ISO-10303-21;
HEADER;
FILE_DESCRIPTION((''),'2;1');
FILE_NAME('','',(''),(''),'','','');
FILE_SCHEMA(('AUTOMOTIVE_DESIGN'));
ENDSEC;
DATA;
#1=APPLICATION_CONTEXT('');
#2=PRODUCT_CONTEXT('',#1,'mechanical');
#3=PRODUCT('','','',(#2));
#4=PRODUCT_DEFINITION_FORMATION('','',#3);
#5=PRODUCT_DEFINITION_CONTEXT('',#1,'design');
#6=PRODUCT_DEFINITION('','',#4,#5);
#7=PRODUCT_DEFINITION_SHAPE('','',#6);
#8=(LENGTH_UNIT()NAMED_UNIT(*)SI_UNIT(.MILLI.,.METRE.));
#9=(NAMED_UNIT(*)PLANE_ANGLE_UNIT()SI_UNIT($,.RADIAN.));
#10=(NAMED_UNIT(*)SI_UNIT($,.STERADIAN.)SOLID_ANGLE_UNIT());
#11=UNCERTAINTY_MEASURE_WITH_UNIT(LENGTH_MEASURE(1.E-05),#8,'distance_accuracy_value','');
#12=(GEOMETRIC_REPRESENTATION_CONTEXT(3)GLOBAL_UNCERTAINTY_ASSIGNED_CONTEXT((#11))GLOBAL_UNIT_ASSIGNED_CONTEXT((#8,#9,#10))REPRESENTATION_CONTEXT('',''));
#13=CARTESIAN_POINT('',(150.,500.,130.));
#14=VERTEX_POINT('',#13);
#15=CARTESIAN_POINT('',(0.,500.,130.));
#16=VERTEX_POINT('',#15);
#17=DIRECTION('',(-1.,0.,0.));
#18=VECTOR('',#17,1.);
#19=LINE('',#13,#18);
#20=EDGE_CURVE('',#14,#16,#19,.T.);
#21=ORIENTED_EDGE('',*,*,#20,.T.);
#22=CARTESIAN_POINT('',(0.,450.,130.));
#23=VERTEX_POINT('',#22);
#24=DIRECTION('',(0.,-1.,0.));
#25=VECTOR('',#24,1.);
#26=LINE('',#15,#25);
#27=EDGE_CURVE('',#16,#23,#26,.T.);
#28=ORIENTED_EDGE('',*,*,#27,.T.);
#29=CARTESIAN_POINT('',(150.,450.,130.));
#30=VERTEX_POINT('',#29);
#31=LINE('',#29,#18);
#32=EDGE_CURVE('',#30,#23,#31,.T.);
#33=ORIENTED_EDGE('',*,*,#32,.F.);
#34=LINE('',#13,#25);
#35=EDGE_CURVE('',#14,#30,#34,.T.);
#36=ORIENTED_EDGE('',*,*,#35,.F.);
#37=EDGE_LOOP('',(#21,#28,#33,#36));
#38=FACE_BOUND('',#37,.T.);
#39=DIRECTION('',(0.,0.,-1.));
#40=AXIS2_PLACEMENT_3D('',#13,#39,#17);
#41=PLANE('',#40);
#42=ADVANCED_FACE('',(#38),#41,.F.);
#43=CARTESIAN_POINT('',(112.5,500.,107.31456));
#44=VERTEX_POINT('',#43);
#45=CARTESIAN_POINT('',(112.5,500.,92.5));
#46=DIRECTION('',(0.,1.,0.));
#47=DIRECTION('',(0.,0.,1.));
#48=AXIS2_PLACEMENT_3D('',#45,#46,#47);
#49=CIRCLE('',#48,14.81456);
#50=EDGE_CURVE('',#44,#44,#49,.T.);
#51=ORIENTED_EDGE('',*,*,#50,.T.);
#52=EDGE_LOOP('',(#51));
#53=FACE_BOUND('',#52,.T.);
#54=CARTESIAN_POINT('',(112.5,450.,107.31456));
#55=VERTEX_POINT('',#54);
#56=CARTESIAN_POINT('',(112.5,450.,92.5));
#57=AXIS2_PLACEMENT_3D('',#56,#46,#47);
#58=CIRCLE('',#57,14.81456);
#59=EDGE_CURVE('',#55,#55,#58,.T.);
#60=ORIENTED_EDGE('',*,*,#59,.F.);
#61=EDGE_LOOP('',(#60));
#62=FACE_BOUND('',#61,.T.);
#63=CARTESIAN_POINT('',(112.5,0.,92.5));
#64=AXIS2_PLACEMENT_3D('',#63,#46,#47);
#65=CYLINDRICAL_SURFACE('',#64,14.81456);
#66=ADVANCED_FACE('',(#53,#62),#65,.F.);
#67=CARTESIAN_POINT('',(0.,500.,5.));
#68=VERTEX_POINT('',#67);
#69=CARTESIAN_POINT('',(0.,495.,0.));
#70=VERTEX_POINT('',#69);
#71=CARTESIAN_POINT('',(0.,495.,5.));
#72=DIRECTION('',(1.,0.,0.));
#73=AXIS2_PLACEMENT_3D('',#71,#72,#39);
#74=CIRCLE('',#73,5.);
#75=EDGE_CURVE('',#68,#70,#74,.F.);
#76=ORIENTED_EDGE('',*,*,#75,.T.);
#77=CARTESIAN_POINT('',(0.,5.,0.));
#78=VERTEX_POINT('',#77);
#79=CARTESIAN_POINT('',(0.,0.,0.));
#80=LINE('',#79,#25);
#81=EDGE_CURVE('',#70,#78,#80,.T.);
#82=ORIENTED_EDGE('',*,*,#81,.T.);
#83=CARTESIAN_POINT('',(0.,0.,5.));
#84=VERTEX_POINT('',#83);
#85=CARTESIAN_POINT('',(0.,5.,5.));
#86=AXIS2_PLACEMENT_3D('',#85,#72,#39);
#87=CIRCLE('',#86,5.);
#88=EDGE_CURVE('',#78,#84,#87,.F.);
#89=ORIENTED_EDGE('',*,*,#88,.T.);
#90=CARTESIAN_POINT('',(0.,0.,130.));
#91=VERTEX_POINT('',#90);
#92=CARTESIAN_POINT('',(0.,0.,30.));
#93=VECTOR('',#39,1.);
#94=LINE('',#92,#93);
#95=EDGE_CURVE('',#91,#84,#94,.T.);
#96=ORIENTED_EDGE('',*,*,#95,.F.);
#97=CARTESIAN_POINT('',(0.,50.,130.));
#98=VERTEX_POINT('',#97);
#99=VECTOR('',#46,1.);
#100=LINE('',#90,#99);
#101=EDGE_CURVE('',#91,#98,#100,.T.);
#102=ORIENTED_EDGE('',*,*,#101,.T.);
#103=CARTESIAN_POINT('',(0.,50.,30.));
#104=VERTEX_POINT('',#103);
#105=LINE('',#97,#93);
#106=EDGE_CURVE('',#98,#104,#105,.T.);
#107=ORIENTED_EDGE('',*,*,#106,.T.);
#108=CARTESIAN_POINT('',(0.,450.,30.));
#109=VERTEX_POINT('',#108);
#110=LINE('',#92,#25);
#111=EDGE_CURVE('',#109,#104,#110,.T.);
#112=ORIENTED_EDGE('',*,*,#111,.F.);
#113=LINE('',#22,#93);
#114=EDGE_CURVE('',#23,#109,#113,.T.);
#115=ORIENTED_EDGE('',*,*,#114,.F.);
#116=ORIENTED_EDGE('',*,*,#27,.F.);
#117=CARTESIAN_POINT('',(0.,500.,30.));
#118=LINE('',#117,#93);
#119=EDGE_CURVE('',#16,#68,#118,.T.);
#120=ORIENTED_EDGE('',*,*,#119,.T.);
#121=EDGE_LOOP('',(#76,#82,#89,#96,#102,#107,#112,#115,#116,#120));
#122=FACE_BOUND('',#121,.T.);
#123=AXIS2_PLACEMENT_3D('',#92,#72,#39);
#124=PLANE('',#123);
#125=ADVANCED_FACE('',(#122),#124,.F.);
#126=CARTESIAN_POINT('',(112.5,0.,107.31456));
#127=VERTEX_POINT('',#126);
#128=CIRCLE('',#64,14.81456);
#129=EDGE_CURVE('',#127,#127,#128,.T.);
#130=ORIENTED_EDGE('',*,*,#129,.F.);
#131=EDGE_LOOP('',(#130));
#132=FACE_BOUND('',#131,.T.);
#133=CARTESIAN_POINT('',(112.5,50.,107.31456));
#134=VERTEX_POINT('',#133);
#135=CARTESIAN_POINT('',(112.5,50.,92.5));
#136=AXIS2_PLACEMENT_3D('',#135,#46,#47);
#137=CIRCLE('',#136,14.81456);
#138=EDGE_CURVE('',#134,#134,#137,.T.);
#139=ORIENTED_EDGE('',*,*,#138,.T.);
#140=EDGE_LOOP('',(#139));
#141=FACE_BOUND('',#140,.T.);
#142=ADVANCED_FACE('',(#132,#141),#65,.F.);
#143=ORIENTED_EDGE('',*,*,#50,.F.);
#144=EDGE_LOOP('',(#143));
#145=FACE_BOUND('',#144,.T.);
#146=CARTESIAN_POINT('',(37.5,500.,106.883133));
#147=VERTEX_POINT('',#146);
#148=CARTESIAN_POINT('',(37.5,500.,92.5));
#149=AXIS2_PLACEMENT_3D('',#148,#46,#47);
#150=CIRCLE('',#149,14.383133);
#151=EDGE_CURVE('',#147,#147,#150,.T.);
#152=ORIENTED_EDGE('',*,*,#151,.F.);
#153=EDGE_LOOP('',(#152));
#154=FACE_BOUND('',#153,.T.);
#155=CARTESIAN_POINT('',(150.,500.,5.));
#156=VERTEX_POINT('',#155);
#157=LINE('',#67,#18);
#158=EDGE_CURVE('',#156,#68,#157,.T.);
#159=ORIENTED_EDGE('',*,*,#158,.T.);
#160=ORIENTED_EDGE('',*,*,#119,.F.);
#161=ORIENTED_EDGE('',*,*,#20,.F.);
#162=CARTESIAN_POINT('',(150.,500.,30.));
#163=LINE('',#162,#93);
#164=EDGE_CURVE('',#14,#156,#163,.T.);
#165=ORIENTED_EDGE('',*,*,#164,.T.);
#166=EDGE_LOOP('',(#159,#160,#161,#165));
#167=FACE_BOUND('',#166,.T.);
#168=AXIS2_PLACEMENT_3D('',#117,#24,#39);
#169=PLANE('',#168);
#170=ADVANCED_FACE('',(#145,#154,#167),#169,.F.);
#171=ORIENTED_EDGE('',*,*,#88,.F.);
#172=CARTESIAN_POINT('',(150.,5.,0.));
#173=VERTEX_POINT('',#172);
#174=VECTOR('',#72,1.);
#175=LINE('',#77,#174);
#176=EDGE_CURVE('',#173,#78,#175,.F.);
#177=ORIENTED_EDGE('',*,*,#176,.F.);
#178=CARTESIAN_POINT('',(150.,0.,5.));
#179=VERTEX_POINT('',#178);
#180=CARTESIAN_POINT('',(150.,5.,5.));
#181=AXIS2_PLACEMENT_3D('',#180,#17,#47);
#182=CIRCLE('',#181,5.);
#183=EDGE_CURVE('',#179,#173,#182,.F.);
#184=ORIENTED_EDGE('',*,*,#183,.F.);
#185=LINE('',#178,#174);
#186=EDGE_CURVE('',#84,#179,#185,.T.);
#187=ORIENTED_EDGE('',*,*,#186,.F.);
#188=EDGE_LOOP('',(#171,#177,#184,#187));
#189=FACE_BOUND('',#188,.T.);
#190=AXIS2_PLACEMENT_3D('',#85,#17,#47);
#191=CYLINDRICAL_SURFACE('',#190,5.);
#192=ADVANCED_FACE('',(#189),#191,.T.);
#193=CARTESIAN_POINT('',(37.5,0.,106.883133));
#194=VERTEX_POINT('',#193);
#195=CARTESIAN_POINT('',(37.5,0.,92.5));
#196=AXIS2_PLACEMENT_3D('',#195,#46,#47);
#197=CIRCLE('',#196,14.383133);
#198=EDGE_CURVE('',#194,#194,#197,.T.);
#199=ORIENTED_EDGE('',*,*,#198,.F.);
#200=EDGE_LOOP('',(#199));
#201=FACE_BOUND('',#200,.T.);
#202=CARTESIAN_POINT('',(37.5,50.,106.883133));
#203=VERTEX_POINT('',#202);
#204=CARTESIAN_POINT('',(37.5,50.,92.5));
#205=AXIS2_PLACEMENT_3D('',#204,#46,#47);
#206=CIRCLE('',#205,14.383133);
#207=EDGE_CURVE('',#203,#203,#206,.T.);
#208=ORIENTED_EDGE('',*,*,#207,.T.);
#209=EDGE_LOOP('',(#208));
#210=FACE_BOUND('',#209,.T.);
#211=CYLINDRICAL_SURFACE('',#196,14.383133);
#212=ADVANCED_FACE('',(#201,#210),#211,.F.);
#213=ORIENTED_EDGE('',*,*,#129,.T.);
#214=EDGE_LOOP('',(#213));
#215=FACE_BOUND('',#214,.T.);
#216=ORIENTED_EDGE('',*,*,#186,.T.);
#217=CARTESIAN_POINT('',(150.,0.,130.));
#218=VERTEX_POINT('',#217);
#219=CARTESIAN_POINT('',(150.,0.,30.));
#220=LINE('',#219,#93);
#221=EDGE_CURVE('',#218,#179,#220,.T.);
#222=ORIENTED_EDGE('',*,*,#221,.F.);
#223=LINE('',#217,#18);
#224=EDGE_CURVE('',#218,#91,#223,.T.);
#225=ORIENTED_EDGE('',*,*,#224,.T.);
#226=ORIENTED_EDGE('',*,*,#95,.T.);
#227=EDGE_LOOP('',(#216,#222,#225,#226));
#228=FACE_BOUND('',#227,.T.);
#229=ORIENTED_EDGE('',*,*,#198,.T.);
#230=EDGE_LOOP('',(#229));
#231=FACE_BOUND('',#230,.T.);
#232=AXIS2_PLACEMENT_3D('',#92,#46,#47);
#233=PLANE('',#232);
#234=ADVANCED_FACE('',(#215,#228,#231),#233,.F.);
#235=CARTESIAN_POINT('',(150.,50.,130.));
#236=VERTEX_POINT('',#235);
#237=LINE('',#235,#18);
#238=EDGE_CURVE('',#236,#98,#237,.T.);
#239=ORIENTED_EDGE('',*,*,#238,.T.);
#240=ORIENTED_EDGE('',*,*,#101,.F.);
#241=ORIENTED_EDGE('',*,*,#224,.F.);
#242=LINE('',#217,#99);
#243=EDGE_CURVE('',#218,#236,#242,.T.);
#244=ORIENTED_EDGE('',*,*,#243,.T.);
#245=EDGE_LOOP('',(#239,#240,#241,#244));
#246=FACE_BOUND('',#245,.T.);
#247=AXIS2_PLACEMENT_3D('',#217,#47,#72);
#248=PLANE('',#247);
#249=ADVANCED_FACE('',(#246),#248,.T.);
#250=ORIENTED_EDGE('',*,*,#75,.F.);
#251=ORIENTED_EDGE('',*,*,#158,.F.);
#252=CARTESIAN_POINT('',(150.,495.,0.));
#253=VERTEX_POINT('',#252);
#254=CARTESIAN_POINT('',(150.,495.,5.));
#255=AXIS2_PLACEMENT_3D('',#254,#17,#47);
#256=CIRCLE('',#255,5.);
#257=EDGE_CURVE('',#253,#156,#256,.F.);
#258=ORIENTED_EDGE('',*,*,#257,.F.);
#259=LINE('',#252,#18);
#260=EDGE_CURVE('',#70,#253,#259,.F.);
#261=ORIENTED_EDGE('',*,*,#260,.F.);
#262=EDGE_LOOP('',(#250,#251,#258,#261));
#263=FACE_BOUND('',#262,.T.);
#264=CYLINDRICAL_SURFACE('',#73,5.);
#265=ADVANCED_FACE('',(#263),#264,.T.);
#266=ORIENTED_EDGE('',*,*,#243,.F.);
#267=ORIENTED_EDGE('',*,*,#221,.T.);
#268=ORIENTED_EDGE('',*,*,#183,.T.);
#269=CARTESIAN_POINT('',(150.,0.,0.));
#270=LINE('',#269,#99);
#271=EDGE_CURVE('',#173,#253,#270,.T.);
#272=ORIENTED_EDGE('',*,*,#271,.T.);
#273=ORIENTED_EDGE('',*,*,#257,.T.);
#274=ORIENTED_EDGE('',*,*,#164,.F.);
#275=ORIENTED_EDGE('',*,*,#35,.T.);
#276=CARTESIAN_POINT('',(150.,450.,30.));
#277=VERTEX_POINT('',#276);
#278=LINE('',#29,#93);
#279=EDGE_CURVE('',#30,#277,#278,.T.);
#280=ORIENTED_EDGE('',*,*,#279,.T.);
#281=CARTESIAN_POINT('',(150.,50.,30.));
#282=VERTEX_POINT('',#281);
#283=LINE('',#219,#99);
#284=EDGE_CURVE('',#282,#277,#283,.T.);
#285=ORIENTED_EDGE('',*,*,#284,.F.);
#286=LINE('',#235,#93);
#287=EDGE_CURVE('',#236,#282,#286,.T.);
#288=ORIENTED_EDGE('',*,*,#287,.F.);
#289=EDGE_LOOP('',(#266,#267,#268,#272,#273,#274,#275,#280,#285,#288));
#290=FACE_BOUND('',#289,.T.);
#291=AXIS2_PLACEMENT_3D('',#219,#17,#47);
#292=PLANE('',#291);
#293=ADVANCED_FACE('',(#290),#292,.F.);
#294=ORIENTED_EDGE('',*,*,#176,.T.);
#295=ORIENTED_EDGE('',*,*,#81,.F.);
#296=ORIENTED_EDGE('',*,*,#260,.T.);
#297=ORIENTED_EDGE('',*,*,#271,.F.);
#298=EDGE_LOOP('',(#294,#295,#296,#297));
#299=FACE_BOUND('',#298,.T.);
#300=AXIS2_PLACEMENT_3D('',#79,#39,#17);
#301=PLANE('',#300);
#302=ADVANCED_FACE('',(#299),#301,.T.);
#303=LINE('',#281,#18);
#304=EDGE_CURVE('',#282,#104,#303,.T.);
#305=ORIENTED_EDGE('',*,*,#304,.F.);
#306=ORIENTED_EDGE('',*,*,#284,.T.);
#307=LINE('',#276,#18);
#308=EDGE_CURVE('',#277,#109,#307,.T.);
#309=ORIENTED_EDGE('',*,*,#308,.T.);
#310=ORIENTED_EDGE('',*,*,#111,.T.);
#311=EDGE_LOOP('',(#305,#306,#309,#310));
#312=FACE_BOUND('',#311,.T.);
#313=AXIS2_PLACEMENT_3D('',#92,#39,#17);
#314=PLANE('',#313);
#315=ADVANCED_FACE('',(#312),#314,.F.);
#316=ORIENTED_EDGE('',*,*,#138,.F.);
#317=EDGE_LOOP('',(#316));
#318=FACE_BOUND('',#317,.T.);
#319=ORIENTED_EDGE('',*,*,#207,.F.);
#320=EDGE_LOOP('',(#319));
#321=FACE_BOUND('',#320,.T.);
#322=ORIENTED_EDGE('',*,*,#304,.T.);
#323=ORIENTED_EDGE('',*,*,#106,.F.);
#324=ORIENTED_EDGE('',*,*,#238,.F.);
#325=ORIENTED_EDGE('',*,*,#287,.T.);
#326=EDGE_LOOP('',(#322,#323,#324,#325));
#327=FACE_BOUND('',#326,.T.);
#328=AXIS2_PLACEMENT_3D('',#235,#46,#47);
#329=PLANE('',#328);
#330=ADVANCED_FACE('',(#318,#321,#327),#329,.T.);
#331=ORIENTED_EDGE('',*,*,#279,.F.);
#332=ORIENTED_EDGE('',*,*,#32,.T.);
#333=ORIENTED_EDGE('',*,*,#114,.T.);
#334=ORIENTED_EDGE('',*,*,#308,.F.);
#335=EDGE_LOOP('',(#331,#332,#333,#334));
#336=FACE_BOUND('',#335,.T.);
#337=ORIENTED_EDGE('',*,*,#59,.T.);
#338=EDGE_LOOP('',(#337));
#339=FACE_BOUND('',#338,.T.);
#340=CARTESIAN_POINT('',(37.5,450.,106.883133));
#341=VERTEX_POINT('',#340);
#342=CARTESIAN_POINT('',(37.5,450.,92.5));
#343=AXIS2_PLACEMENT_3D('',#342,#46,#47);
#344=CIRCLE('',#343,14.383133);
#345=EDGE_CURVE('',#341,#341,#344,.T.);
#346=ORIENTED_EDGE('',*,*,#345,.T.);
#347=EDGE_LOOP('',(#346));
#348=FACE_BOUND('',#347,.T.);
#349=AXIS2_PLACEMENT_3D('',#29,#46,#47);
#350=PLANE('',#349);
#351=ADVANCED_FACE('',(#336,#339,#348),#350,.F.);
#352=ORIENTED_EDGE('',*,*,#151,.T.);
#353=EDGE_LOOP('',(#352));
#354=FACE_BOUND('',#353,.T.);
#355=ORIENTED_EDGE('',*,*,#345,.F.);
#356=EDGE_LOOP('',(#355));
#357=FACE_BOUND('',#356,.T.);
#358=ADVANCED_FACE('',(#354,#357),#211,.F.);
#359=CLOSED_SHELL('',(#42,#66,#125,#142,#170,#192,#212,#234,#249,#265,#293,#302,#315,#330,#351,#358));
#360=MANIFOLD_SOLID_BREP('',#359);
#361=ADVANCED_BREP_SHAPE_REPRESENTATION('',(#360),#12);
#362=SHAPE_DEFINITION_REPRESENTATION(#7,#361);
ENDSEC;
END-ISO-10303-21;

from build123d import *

# Parameters (mm, degrees)
SKETCH1_W           = 150
SKETCH1_H           = 500
BOSS_EXTRUDE1_DEPTH = 30
SKETCH2_W           = 100
SKETCH2_H           = 50
BOSS_EXTRUDE2_DEPTH = 150
SKETCH3_W           = 100
SKETCH3_H           = 50
BOSS_EXTRUDE3_DEPTH = 150
FILLET1_R           = 5
SKETCH4_R           = 14.383133374
SKETCH4_R_2         = 14.814559663
CUT_EXTRUDE1_DEPTH  = 538.959106253


with BuildPart() as part:
    # Sketch1 → Boss-Extrude1 (new body)
    with BuildSketch(Plane.XY):
        with Locations((75, 250)):
            Rectangle(SKETCH1_W, SKETCH1_H)
    extrude(amount=BOSS_EXTRUDE1_DEPTH)

    # Sketch2 → Boss-Extrude2 (add)
    with BuildSketch(Plane.ZY):
        with Locations((80, 475)):
            Rectangle(SKETCH2_W, SKETCH2_H)
    extrude(amount=-BOSS_EXTRUDE2_DEPTH)

    # Sketch3 → Boss-Extrude3 (add)
    with BuildSketch(Plane.ZY):
        with Locations((80, 25)):
            Rectangle(SKETCH3_W, SKETCH3_H)
    extrude(amount=-BOSS_EXTRUDE3_DEPTH)

    # Fillet1
    fillet1_edges = [part.edges().sort_by_distance(p)[0] for p in [
        (75, 500, 0),
        (75, 0, 0),
    ]]
    fillet(fillet1_edges, radius=FILLET1_R)

    # Sketch4 → Cut-Extrude1 (cut, through all)
    with BuildSketch(Plane(origin=(0, 500, 0), x_dir=(1, 0, 0), z_dir=(0, 1, 0))):
        with Locations(Location((37.5, -92.5, 0), (0, 0, 270))):
            Circle(SKETCH4_R)
        with Locations(Location((112.5, -92.5, 0), (0, 0, 270))):
            Circle(SKETCH4_R_2)
    extrude(amount=-CUT_EXTRUDE1_DEPTH, mode=Mode.SUBTRACT)


solid = part.part
